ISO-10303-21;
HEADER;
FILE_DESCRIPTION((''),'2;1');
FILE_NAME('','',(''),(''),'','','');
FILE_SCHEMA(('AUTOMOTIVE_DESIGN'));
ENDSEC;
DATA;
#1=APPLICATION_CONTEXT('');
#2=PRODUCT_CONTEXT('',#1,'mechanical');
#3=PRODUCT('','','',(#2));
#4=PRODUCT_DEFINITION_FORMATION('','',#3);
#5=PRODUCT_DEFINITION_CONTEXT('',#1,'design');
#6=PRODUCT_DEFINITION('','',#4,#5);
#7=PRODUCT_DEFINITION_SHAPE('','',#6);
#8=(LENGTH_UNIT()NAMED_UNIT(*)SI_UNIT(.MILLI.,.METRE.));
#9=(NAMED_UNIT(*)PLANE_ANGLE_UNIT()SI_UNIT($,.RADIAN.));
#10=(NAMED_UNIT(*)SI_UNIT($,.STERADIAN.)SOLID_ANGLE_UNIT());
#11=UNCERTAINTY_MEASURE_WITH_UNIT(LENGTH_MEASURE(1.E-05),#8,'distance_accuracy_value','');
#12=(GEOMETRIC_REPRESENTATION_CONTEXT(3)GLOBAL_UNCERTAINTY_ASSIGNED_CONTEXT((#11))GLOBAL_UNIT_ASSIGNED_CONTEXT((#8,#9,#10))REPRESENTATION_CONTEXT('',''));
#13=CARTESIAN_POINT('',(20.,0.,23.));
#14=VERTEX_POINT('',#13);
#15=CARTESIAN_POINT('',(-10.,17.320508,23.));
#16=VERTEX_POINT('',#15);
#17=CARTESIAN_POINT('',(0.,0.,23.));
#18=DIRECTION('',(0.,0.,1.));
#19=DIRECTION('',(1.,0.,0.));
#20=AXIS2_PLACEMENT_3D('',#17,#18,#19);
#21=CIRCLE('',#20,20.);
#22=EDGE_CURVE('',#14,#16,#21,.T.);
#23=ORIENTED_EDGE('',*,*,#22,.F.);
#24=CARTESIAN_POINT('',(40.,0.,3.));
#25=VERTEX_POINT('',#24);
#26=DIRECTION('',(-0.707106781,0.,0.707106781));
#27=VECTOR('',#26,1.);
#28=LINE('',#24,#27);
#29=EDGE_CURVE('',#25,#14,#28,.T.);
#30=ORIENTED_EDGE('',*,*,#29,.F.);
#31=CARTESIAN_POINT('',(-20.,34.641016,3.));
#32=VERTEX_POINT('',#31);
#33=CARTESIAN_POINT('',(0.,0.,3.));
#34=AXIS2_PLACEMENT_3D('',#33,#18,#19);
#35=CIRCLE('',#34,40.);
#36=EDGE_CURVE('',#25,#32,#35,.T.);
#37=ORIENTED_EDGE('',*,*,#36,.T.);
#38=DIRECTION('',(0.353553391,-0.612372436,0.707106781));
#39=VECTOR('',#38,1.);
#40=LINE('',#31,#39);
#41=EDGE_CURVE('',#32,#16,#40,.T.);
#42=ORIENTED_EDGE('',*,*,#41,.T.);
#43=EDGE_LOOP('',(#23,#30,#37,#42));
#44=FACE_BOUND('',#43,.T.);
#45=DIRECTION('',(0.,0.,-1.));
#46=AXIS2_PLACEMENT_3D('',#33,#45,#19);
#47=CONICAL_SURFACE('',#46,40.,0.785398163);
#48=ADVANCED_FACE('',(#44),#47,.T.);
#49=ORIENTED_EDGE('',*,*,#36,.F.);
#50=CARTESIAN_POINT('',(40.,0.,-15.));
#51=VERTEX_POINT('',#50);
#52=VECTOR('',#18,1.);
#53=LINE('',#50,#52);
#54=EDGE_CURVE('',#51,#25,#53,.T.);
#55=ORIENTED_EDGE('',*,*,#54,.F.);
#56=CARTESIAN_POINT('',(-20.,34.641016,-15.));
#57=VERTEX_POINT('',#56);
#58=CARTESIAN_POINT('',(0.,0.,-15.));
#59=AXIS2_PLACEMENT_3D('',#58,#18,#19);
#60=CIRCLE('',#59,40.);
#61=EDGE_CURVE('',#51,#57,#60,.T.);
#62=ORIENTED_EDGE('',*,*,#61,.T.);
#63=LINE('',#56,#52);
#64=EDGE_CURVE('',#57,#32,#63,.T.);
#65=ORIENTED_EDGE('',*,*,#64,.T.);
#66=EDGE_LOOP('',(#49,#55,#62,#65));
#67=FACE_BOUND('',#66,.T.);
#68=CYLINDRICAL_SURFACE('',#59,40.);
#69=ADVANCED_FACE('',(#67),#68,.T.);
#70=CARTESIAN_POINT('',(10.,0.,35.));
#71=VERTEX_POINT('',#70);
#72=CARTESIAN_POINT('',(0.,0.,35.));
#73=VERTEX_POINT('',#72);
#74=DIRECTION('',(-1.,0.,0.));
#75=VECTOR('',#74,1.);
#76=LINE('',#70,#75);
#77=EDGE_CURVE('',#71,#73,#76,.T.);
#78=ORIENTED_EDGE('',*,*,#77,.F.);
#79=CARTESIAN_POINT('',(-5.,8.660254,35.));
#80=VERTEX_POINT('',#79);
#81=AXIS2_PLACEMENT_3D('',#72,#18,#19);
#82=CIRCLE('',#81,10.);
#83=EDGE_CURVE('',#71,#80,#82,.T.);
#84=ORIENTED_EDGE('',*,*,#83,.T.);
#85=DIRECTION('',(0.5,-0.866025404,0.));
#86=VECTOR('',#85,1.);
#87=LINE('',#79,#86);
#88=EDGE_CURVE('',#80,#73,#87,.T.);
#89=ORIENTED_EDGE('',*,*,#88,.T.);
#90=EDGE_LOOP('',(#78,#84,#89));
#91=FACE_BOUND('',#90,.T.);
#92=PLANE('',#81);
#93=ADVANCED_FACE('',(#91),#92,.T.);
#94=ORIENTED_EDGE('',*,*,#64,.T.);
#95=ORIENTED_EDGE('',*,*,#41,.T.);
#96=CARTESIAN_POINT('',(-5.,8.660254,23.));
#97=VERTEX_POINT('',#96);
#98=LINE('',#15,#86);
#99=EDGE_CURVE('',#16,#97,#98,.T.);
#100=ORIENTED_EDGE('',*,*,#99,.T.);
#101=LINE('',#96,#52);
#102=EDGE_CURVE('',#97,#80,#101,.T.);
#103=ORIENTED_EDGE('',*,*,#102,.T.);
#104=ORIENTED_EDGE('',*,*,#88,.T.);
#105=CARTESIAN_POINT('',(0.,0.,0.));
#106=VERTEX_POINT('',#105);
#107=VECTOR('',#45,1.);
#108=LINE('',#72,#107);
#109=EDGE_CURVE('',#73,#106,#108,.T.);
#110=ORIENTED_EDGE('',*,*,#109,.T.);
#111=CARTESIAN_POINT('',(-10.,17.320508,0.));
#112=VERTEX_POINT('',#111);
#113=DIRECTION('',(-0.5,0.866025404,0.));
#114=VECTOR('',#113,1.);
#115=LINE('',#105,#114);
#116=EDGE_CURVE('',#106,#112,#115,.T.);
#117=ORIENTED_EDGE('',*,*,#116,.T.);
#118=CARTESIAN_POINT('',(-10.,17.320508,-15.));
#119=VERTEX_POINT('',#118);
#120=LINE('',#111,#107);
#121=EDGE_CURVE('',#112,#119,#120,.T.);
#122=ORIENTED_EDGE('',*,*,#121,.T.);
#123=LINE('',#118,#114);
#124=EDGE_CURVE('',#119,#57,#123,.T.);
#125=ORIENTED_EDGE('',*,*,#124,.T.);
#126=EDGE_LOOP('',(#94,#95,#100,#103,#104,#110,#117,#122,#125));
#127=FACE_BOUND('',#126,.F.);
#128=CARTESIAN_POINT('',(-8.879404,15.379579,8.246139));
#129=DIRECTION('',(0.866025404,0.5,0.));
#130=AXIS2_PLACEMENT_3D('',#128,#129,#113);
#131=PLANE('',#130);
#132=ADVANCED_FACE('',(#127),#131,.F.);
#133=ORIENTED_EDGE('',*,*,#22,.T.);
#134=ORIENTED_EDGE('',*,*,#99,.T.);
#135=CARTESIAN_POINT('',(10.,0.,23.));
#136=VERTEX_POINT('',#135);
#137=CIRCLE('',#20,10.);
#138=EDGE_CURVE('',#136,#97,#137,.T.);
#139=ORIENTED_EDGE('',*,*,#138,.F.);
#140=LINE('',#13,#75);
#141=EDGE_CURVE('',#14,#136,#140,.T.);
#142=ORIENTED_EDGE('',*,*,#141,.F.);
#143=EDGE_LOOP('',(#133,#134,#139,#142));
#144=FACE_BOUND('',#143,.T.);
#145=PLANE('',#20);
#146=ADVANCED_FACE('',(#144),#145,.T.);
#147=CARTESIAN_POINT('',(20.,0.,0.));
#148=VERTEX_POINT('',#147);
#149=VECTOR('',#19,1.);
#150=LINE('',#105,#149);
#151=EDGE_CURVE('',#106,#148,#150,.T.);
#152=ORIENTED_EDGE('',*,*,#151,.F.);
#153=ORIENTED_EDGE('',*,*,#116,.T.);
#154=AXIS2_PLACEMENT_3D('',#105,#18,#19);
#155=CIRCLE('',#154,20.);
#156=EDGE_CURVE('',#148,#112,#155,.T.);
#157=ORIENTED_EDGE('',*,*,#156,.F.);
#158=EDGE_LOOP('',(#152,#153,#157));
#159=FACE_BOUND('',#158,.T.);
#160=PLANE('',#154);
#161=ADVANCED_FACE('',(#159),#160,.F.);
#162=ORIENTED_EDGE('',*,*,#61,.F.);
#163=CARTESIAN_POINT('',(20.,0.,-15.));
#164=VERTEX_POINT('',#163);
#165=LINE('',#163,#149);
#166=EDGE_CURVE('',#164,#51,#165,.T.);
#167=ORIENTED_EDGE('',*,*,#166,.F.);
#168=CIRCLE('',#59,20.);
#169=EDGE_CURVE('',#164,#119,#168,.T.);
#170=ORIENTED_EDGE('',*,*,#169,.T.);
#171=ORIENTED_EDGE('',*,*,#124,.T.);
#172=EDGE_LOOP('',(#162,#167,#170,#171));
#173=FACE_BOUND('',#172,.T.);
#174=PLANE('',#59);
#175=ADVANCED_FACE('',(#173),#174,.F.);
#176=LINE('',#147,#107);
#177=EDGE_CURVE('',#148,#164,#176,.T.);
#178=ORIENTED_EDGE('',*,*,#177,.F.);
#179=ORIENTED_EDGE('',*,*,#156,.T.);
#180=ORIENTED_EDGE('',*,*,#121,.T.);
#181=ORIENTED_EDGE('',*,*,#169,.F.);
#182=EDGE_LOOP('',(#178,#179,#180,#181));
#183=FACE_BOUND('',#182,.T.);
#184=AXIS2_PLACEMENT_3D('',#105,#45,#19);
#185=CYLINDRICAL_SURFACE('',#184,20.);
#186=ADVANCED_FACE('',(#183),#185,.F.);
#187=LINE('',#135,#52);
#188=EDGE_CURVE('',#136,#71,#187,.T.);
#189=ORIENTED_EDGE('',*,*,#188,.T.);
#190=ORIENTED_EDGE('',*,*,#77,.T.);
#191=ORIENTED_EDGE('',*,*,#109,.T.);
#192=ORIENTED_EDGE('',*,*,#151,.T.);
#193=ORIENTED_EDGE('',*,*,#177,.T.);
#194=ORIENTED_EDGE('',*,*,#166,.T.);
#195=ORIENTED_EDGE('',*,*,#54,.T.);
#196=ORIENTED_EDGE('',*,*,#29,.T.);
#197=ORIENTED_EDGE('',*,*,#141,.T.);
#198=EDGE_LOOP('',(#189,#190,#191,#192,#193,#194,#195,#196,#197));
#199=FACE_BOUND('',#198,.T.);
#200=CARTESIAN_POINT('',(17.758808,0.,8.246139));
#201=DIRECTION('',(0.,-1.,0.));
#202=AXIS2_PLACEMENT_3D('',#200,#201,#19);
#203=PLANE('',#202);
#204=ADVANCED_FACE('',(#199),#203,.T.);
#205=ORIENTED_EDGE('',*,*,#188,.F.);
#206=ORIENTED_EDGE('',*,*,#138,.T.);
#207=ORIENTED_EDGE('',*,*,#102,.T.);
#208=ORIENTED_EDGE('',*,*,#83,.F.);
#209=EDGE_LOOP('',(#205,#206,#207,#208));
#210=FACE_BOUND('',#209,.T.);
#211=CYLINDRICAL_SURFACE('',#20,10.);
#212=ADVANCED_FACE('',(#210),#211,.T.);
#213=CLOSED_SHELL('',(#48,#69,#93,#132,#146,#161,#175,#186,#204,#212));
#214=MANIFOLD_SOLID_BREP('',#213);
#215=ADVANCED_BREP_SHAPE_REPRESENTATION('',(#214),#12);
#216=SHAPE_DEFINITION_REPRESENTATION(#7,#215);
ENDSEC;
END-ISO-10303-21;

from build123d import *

# Parameters (mm, degrees)
F1_ANGLE = 120


with BuildPart() as f1:
    # F0 (on Front) → F1 (revolve)
    with BuildSketch(Plane.XZ):
        Polygon((0, 35), (0, 0), (20, 0), (20, -15), (40, -15), (40, 3), (20, 23), (10, 23), (10, 35), align=None)
    revolve(axis=Axis((0, 0, 17.5), (0, 0, 1)), revolution_arc=F1_ANGLE)


solid = f1.part
